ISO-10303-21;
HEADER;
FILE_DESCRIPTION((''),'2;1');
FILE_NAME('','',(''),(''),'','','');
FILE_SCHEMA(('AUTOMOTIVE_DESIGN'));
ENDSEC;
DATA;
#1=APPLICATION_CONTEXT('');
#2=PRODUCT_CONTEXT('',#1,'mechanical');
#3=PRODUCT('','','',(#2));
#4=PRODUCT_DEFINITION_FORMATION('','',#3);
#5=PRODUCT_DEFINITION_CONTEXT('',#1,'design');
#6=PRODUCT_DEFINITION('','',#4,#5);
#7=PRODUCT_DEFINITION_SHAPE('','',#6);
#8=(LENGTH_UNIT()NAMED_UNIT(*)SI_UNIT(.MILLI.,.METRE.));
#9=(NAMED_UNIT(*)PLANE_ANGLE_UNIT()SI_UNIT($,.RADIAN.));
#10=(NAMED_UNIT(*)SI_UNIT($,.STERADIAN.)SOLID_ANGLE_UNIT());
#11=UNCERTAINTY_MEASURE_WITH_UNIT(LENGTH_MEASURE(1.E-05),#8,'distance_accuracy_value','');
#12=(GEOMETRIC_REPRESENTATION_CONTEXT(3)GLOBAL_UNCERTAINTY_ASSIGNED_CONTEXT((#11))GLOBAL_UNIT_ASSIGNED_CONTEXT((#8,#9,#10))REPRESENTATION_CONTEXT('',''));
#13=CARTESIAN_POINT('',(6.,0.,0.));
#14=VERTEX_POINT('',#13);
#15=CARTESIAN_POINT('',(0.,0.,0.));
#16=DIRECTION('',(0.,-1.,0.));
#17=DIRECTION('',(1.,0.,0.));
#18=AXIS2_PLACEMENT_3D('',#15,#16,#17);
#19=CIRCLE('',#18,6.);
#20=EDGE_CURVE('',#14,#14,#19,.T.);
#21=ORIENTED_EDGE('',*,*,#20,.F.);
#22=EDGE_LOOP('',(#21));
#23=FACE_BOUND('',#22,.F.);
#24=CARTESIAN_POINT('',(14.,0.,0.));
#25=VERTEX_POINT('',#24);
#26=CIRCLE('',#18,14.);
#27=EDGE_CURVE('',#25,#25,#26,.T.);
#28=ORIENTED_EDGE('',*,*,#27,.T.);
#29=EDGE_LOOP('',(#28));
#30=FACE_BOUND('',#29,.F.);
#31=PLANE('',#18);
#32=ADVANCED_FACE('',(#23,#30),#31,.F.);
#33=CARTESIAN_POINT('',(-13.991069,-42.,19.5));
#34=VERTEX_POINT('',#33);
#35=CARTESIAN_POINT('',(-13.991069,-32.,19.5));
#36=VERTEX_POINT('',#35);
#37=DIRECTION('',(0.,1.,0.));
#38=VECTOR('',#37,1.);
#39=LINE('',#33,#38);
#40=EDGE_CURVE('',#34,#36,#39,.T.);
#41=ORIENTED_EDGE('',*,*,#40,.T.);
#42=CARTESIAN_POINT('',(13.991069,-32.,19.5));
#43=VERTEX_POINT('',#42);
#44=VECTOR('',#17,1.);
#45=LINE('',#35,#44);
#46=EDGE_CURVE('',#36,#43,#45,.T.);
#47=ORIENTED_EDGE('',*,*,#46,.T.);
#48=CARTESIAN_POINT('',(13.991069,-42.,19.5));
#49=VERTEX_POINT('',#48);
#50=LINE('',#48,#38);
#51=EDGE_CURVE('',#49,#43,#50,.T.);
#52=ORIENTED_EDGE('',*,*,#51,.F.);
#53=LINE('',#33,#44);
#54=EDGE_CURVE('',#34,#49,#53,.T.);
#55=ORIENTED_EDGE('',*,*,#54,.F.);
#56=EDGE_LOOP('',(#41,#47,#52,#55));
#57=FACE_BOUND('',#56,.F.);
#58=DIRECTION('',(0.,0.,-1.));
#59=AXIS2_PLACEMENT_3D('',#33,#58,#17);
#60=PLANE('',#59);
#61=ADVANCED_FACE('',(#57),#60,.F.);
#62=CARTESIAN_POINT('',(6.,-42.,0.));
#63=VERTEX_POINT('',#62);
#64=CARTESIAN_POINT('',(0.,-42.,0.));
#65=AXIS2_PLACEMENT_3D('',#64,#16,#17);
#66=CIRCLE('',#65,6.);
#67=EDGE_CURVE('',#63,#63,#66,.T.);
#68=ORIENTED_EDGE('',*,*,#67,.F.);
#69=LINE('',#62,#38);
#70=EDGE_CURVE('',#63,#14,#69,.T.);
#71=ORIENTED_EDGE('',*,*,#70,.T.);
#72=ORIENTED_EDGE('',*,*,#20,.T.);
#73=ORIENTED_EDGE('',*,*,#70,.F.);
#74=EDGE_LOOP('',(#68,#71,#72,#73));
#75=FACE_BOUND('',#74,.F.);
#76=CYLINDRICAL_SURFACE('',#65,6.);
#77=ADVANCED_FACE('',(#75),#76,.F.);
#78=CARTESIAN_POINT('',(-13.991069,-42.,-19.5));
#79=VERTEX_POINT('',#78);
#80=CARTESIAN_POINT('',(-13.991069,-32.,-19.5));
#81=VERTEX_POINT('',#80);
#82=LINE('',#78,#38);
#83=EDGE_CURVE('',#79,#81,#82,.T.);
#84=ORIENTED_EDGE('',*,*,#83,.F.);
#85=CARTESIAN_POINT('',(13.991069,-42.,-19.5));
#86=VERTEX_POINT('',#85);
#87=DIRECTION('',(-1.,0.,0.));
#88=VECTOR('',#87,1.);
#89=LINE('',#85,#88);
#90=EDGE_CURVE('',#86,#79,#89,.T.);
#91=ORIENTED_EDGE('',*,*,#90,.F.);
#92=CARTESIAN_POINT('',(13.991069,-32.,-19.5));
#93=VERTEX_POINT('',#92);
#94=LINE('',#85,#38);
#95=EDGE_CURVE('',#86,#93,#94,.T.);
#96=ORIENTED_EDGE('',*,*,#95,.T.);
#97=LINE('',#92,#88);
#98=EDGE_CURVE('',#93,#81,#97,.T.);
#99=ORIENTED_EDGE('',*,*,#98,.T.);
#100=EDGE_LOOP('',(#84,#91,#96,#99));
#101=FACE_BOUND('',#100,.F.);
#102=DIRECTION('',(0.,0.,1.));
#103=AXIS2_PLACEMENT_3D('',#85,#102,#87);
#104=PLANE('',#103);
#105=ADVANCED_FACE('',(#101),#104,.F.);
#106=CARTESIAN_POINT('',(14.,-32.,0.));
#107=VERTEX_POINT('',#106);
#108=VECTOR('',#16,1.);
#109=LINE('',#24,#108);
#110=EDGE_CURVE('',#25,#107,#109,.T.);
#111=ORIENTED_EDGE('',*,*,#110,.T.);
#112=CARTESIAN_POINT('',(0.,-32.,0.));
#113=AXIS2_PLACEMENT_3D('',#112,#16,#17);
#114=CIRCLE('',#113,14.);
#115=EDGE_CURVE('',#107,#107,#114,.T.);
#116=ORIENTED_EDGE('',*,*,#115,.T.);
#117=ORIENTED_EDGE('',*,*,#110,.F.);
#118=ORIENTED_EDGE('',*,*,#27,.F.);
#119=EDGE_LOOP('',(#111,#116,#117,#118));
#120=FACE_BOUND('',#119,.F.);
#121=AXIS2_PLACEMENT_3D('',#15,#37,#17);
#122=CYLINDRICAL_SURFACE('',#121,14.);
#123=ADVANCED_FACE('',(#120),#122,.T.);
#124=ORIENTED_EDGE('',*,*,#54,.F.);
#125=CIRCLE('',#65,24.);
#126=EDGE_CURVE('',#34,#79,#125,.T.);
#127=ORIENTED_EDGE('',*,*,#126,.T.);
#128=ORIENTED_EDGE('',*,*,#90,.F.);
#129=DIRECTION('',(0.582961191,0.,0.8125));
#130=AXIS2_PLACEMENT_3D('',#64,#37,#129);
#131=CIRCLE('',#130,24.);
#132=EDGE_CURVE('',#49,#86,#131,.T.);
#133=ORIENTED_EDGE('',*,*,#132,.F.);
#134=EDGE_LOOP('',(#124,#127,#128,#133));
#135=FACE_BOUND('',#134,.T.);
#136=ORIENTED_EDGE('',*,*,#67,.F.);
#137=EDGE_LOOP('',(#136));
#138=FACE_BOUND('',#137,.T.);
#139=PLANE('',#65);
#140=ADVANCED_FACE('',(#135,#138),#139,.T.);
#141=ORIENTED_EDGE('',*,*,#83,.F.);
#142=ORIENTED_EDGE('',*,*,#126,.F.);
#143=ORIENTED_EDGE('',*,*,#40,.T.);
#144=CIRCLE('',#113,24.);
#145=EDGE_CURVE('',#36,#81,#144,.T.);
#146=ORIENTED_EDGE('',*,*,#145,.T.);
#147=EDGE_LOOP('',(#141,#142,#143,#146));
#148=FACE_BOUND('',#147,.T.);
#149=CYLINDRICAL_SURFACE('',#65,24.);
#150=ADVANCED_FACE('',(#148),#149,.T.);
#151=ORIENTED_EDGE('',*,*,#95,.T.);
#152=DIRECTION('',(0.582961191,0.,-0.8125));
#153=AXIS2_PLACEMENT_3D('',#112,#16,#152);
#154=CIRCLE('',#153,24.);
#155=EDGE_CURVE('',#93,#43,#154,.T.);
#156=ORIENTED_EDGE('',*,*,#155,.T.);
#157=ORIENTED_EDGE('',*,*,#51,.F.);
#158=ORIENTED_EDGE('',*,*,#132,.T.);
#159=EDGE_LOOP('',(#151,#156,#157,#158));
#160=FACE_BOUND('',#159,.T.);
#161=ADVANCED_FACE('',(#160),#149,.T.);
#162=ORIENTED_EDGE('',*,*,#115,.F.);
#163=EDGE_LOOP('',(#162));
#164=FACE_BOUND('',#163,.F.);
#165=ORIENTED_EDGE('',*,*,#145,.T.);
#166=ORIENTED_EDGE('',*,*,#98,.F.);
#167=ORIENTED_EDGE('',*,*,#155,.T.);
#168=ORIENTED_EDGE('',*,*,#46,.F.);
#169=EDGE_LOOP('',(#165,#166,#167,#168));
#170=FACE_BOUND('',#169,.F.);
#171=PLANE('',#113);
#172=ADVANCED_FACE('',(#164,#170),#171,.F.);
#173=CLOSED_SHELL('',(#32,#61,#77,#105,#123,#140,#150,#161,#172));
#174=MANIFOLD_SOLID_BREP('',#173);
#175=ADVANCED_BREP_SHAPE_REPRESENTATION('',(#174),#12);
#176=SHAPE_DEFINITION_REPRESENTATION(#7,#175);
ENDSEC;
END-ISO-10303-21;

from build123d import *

# Parameters (mm, degrees)
F0_R     = 14
F1_DEPTH = 42
F2_R     = 6
F3_DEPTH = 42
F4_R     = 24
F4_R_2   = 14
F5_DEPTH = 10
F7_DEPTH = 10


with BuildPart() as f1:
    # F0 (on Front) → F1 (new body)
    with BuildSketch(Plane.XZ):
        Circle(F0_R)
    extrude(amount=F1_DEPTH)

    # F2 (on face) → F3 (cut, through all)
    with BuildSketch(Plane.XZ.offset(42)):
        Circle(F2_R)
    extrude(amount=-F3_DEPTH, mode=Mode.SUBTRACT)

    # F4 (on face) → F5 (join)
    with BuildSketch(Plane.XZ.offset(42)):
        Circle(F4_R)
        Circle(F4_R_2, mode=Mode.SUBTRACT)
    extrude(amount=-F5_DEPTH)

    # F6 (on face) → F7 (cut, through all)
    with BuildSketch(Plane.XZ.offset(42)):
        with BuildLine():
            ThreePointArc((13.9910685796, 19.5), (0, 24), (-13.9910685796, 19.5))
            Line((-13.9910685796, 19.5), (13.9910685796, 19.5))
        make_face()
        with BuildLine():
            Line((13.9910685796, -19.5), (-13.9910685796, -19.5))
            ThreePointArc((-13.9910685796, -19.5), (0, -24), (13.9910685796, -19.5))
        make_face()
    extrude(amount=-F7_DEPTH, mode=Mode.SUBTRACT)


solid = f1.part
